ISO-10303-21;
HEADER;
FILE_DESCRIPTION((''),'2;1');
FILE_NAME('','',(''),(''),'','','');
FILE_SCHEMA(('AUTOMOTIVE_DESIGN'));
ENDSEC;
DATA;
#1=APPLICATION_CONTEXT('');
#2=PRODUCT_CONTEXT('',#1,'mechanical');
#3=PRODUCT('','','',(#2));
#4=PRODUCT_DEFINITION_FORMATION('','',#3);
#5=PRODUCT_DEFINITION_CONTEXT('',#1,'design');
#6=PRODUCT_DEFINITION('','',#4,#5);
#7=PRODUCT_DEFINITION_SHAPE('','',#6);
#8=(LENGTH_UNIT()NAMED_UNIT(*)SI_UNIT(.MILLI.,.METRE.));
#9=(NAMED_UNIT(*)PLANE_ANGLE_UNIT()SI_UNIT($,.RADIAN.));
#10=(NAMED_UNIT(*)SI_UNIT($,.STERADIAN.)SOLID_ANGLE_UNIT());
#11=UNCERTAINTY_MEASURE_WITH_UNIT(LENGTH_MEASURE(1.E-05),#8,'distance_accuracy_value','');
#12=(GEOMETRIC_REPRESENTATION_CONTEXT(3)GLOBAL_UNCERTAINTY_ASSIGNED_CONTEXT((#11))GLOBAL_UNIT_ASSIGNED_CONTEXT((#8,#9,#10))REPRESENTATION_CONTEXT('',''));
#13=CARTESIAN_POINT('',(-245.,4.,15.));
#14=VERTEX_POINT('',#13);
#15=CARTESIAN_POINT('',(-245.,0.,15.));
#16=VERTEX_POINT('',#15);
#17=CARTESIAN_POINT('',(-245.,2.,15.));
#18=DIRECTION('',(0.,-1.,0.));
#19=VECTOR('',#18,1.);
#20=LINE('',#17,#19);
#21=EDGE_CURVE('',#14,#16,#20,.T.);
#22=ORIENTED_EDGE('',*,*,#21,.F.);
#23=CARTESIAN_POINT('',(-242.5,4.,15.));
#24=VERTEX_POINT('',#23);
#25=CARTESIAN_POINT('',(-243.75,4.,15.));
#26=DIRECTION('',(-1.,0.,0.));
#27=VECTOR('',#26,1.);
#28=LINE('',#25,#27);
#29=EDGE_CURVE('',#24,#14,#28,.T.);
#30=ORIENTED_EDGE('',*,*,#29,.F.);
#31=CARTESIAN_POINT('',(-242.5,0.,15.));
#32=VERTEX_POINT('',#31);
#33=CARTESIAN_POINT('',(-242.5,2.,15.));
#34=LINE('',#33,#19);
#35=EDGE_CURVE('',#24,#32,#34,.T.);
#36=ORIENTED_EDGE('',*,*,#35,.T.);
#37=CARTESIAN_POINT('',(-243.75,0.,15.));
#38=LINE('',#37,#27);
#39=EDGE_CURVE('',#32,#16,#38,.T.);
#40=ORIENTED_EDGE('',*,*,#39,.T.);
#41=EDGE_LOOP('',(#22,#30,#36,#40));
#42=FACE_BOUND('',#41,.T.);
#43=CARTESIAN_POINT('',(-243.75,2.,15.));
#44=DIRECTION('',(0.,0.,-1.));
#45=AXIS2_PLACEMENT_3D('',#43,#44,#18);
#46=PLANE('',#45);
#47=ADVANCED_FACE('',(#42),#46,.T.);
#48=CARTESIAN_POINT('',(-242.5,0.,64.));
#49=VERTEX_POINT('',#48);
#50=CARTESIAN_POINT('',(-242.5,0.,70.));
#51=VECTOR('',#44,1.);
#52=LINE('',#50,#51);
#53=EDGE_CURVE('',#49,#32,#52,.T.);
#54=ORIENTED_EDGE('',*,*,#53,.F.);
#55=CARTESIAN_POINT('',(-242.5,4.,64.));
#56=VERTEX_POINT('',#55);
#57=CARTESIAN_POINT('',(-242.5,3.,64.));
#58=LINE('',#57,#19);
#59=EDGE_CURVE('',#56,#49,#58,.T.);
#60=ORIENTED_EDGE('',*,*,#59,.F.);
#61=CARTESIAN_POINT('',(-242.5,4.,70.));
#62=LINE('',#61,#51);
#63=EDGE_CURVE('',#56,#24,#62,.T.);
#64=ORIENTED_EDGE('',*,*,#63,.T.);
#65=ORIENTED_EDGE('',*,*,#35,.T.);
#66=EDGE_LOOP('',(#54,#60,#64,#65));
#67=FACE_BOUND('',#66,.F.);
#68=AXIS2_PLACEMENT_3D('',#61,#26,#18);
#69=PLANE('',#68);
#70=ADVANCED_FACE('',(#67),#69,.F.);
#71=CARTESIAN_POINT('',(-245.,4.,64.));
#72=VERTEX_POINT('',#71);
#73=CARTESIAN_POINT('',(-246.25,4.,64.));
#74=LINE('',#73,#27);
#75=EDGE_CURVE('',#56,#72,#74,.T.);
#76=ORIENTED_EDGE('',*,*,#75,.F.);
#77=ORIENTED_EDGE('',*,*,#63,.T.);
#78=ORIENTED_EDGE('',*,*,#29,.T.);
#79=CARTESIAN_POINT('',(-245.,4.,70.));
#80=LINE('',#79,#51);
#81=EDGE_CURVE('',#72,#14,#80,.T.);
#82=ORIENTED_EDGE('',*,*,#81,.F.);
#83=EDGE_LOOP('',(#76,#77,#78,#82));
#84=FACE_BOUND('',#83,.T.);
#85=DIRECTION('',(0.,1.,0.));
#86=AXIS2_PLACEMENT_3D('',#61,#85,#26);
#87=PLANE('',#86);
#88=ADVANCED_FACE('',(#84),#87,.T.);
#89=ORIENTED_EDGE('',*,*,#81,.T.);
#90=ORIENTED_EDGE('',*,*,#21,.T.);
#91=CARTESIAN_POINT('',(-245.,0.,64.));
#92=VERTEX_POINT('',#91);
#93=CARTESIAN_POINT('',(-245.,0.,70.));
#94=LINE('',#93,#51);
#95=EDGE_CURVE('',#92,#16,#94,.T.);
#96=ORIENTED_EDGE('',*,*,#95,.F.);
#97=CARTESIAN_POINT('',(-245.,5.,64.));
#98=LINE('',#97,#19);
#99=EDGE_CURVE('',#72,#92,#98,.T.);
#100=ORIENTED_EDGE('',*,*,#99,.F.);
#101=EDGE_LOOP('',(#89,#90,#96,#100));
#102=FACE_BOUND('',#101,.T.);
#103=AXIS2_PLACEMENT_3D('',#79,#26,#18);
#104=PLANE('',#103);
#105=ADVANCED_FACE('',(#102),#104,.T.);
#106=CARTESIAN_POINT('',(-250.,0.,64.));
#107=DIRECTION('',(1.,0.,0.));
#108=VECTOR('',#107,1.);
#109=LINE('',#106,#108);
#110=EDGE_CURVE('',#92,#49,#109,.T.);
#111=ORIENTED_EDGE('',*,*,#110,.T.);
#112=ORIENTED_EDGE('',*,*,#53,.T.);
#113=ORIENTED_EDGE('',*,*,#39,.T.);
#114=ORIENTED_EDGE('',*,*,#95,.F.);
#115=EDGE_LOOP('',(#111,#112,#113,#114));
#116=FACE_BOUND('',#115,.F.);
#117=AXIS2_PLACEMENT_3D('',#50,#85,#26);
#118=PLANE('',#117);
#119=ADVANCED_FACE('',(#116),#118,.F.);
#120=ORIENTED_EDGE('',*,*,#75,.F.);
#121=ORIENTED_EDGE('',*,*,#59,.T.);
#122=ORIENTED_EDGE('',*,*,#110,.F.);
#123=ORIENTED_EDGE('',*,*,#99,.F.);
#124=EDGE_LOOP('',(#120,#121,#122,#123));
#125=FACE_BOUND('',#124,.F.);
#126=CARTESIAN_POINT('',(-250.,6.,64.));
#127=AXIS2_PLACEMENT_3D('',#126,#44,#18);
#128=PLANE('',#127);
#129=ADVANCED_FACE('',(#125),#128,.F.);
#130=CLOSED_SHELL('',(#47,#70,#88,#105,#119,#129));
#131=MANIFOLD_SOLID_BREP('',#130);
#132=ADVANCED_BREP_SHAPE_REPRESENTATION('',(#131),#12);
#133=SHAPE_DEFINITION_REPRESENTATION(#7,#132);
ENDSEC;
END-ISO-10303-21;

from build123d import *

# Parameters (mm, degrees)
RECTANGLE065_W   = 6
RECTANGLE065_H   = 6
EXTRUDE079_DEPTH = 7.5
FACEBINDER013_W  = 4
FACEBINDER013_H  = 2.5
EXTRUDE052_DEPTH = 55


with BuildPart() as extrude079:
    # Rectangle065 → Extrude079 (new body)
    with BuildSketch(Plane(origin=(-250, 6, 64), x_dir=(0, -1, 0), z_dir=(-1, 0, 0))):
        with Locations((3, 3)):
            Rectangle(RECTANGLE065_W, RECTANGLE065_H)
    extrude(amount=-EXTRUDE079_DEPTH)


with BuildPart() as cut001:
    # Facebinder013 → Extrude052 (new body)
    with BuildSketch(Plane(origin=(-241.25, 2, 70), x_dir=(0, -1, 0), z_dir=(0, 0, -1))):
        Rectangle(FACEBINDER013_W, FACEBINDER013_H)
    extrude(amount=EXTRUDE052_DEPTH)


with BuildPart() as cut001_1:
    # Extrude052 placement: moved
    add(cut001.part.moved(Location((-2.5, 0, 0))))

    # Cut001: cut Extrude079
    add(extrude079.part, mode=Mode.SUBTRACT)


solid = cut001_1.part
